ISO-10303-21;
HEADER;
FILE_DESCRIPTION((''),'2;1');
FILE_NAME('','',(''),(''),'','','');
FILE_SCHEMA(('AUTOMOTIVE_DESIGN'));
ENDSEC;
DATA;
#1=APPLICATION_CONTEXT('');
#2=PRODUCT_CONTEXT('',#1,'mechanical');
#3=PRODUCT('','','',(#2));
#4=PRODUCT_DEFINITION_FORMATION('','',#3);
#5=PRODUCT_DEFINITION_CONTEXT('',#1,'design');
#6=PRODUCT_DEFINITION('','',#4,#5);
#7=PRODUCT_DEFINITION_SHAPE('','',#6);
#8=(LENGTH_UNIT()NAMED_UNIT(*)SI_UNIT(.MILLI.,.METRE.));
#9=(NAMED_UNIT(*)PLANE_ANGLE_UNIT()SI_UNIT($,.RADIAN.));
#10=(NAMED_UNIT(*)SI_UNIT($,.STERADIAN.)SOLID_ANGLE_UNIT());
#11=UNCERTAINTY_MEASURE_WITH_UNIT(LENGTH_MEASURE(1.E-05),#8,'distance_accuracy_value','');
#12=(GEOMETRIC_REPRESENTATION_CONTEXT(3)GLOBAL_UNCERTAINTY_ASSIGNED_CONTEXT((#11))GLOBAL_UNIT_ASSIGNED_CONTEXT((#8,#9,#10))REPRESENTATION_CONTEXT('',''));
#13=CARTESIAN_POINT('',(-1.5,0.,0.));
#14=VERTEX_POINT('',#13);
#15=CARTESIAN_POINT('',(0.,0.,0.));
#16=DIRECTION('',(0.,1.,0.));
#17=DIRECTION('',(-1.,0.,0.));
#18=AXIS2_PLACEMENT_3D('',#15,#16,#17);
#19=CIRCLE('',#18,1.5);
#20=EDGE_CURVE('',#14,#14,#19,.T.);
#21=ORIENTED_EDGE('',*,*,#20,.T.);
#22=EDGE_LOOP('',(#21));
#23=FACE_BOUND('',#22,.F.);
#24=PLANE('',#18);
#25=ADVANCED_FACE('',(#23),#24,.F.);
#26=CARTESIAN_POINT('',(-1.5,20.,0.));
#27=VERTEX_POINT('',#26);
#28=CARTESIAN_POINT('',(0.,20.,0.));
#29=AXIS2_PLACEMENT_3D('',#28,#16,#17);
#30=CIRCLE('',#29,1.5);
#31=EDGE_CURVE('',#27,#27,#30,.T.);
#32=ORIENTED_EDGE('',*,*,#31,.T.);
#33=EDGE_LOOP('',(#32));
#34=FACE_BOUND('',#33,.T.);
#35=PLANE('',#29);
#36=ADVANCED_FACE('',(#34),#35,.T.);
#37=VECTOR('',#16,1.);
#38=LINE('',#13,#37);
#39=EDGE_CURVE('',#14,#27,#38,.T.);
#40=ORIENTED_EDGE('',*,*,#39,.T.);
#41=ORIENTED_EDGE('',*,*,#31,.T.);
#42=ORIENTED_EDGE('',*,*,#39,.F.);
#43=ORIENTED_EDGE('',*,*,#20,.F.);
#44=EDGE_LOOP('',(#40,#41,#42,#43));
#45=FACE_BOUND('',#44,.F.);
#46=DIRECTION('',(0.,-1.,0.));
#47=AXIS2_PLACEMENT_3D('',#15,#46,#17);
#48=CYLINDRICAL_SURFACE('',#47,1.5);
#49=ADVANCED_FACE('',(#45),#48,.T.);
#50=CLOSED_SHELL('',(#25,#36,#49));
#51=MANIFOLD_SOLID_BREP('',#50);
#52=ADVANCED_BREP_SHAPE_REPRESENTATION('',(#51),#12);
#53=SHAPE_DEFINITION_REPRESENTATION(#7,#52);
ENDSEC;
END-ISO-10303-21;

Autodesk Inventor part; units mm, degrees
ref_plane "YZ Plane" through (0, 0, 0) normal (1, 0, 0) x (0, 1, 0)
ref_plane "XZ Plane" through (0, 0, 0) normal (0, 1, 0) x (-1, 0, 0)
ref_plane "XY Plane" through (0, 0, 0) normal (0, 0, 1) x (1, 0, 0)
sketch "Sketch4" plane through (0, 0, 0) normal (0, 1, 0) x (-1, 0, 0)
  circle A0 centre (0, 0) radius 1.5
  dimension "d6" = 3
extrude "Extrusion3" add sketch "Sketch4" along normal blind 20
properties part number "20mm Standoff" material "Nylon 6/6"
